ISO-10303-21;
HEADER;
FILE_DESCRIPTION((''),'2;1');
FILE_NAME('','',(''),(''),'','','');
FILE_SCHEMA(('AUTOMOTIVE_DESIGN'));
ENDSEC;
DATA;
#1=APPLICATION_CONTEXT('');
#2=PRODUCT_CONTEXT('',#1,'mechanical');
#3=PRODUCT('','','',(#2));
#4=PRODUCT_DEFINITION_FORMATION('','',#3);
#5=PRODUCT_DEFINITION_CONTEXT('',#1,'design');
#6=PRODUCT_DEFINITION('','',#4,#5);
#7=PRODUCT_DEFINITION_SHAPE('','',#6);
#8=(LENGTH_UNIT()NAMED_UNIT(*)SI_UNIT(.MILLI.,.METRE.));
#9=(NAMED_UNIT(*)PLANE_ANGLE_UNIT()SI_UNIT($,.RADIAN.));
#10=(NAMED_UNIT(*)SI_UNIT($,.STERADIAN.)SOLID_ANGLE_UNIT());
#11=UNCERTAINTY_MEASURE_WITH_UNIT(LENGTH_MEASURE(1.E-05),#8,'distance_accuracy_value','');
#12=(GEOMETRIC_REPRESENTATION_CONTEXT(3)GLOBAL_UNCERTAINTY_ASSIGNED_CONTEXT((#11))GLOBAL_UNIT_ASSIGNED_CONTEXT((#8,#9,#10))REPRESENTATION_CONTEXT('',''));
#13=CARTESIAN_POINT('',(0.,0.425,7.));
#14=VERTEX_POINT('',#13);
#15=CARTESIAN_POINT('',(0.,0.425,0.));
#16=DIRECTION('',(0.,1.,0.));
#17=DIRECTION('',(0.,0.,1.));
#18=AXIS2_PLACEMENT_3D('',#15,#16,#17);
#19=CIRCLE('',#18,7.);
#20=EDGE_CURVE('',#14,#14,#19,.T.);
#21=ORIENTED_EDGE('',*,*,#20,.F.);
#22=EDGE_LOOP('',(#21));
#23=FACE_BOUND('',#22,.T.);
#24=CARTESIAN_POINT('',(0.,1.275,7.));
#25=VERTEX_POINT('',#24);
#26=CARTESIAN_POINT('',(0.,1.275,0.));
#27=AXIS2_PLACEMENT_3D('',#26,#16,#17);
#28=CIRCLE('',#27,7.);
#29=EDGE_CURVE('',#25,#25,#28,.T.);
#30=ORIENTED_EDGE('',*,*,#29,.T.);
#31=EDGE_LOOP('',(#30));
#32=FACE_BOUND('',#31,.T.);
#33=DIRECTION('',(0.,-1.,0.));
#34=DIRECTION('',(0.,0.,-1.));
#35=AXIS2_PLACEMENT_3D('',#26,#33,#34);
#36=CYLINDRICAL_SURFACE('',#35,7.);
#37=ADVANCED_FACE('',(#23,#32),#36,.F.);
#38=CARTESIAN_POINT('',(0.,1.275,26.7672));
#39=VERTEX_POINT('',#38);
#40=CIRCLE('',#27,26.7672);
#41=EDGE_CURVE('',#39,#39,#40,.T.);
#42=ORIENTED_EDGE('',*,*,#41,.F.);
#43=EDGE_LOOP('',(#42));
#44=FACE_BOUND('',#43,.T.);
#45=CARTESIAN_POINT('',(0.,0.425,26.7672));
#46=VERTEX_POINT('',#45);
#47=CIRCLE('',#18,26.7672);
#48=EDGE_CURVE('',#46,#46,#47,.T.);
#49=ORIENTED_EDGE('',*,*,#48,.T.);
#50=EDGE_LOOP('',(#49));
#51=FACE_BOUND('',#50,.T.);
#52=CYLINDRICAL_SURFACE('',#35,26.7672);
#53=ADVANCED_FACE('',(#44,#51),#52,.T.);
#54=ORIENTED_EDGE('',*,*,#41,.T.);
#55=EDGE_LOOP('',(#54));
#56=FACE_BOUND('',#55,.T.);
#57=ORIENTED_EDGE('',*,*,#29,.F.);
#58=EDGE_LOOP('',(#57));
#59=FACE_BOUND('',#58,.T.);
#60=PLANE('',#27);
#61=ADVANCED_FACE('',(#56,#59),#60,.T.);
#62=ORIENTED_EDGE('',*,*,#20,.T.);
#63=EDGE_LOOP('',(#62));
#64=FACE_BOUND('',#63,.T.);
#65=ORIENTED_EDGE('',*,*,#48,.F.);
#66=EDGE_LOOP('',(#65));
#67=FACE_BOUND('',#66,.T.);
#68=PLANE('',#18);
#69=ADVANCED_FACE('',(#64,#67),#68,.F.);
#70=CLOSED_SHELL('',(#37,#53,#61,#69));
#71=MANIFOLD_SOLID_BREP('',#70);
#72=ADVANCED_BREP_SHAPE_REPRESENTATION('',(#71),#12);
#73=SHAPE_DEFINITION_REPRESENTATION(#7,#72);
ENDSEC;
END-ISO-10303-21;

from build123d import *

# Parameters (mm, degrees)
SKETCH1_R           = 53.5344
SKETCH1_R_2         = 14
BOSS_EXTRUDE1_DEPTH = 1.7
SCALE1_SCALE        = 0.5


with BuildPart() as part:
    # Sketch1 → Boss-Extrude1 (new body)
    with BuildSketch(Plane(origin=(0, 0, 0), x_dir=(1, 0, 0), z_dir=(0, 1, 0))):
        Circle(SKETCH1_R)
        Circle(SKETCH1_R_2, mode=Mode.SUBTRACT)
    extrude(amount=BOSS_EXTRUDE1_DEPTH)


with BuildPart() as part_1:
    # Scale1: scaled about (0, 0.85, 0)
    add(part.part.scale(SCALE1_SCALE).moved(Location((0, 0.425, 0))))


solid = part_1.part
